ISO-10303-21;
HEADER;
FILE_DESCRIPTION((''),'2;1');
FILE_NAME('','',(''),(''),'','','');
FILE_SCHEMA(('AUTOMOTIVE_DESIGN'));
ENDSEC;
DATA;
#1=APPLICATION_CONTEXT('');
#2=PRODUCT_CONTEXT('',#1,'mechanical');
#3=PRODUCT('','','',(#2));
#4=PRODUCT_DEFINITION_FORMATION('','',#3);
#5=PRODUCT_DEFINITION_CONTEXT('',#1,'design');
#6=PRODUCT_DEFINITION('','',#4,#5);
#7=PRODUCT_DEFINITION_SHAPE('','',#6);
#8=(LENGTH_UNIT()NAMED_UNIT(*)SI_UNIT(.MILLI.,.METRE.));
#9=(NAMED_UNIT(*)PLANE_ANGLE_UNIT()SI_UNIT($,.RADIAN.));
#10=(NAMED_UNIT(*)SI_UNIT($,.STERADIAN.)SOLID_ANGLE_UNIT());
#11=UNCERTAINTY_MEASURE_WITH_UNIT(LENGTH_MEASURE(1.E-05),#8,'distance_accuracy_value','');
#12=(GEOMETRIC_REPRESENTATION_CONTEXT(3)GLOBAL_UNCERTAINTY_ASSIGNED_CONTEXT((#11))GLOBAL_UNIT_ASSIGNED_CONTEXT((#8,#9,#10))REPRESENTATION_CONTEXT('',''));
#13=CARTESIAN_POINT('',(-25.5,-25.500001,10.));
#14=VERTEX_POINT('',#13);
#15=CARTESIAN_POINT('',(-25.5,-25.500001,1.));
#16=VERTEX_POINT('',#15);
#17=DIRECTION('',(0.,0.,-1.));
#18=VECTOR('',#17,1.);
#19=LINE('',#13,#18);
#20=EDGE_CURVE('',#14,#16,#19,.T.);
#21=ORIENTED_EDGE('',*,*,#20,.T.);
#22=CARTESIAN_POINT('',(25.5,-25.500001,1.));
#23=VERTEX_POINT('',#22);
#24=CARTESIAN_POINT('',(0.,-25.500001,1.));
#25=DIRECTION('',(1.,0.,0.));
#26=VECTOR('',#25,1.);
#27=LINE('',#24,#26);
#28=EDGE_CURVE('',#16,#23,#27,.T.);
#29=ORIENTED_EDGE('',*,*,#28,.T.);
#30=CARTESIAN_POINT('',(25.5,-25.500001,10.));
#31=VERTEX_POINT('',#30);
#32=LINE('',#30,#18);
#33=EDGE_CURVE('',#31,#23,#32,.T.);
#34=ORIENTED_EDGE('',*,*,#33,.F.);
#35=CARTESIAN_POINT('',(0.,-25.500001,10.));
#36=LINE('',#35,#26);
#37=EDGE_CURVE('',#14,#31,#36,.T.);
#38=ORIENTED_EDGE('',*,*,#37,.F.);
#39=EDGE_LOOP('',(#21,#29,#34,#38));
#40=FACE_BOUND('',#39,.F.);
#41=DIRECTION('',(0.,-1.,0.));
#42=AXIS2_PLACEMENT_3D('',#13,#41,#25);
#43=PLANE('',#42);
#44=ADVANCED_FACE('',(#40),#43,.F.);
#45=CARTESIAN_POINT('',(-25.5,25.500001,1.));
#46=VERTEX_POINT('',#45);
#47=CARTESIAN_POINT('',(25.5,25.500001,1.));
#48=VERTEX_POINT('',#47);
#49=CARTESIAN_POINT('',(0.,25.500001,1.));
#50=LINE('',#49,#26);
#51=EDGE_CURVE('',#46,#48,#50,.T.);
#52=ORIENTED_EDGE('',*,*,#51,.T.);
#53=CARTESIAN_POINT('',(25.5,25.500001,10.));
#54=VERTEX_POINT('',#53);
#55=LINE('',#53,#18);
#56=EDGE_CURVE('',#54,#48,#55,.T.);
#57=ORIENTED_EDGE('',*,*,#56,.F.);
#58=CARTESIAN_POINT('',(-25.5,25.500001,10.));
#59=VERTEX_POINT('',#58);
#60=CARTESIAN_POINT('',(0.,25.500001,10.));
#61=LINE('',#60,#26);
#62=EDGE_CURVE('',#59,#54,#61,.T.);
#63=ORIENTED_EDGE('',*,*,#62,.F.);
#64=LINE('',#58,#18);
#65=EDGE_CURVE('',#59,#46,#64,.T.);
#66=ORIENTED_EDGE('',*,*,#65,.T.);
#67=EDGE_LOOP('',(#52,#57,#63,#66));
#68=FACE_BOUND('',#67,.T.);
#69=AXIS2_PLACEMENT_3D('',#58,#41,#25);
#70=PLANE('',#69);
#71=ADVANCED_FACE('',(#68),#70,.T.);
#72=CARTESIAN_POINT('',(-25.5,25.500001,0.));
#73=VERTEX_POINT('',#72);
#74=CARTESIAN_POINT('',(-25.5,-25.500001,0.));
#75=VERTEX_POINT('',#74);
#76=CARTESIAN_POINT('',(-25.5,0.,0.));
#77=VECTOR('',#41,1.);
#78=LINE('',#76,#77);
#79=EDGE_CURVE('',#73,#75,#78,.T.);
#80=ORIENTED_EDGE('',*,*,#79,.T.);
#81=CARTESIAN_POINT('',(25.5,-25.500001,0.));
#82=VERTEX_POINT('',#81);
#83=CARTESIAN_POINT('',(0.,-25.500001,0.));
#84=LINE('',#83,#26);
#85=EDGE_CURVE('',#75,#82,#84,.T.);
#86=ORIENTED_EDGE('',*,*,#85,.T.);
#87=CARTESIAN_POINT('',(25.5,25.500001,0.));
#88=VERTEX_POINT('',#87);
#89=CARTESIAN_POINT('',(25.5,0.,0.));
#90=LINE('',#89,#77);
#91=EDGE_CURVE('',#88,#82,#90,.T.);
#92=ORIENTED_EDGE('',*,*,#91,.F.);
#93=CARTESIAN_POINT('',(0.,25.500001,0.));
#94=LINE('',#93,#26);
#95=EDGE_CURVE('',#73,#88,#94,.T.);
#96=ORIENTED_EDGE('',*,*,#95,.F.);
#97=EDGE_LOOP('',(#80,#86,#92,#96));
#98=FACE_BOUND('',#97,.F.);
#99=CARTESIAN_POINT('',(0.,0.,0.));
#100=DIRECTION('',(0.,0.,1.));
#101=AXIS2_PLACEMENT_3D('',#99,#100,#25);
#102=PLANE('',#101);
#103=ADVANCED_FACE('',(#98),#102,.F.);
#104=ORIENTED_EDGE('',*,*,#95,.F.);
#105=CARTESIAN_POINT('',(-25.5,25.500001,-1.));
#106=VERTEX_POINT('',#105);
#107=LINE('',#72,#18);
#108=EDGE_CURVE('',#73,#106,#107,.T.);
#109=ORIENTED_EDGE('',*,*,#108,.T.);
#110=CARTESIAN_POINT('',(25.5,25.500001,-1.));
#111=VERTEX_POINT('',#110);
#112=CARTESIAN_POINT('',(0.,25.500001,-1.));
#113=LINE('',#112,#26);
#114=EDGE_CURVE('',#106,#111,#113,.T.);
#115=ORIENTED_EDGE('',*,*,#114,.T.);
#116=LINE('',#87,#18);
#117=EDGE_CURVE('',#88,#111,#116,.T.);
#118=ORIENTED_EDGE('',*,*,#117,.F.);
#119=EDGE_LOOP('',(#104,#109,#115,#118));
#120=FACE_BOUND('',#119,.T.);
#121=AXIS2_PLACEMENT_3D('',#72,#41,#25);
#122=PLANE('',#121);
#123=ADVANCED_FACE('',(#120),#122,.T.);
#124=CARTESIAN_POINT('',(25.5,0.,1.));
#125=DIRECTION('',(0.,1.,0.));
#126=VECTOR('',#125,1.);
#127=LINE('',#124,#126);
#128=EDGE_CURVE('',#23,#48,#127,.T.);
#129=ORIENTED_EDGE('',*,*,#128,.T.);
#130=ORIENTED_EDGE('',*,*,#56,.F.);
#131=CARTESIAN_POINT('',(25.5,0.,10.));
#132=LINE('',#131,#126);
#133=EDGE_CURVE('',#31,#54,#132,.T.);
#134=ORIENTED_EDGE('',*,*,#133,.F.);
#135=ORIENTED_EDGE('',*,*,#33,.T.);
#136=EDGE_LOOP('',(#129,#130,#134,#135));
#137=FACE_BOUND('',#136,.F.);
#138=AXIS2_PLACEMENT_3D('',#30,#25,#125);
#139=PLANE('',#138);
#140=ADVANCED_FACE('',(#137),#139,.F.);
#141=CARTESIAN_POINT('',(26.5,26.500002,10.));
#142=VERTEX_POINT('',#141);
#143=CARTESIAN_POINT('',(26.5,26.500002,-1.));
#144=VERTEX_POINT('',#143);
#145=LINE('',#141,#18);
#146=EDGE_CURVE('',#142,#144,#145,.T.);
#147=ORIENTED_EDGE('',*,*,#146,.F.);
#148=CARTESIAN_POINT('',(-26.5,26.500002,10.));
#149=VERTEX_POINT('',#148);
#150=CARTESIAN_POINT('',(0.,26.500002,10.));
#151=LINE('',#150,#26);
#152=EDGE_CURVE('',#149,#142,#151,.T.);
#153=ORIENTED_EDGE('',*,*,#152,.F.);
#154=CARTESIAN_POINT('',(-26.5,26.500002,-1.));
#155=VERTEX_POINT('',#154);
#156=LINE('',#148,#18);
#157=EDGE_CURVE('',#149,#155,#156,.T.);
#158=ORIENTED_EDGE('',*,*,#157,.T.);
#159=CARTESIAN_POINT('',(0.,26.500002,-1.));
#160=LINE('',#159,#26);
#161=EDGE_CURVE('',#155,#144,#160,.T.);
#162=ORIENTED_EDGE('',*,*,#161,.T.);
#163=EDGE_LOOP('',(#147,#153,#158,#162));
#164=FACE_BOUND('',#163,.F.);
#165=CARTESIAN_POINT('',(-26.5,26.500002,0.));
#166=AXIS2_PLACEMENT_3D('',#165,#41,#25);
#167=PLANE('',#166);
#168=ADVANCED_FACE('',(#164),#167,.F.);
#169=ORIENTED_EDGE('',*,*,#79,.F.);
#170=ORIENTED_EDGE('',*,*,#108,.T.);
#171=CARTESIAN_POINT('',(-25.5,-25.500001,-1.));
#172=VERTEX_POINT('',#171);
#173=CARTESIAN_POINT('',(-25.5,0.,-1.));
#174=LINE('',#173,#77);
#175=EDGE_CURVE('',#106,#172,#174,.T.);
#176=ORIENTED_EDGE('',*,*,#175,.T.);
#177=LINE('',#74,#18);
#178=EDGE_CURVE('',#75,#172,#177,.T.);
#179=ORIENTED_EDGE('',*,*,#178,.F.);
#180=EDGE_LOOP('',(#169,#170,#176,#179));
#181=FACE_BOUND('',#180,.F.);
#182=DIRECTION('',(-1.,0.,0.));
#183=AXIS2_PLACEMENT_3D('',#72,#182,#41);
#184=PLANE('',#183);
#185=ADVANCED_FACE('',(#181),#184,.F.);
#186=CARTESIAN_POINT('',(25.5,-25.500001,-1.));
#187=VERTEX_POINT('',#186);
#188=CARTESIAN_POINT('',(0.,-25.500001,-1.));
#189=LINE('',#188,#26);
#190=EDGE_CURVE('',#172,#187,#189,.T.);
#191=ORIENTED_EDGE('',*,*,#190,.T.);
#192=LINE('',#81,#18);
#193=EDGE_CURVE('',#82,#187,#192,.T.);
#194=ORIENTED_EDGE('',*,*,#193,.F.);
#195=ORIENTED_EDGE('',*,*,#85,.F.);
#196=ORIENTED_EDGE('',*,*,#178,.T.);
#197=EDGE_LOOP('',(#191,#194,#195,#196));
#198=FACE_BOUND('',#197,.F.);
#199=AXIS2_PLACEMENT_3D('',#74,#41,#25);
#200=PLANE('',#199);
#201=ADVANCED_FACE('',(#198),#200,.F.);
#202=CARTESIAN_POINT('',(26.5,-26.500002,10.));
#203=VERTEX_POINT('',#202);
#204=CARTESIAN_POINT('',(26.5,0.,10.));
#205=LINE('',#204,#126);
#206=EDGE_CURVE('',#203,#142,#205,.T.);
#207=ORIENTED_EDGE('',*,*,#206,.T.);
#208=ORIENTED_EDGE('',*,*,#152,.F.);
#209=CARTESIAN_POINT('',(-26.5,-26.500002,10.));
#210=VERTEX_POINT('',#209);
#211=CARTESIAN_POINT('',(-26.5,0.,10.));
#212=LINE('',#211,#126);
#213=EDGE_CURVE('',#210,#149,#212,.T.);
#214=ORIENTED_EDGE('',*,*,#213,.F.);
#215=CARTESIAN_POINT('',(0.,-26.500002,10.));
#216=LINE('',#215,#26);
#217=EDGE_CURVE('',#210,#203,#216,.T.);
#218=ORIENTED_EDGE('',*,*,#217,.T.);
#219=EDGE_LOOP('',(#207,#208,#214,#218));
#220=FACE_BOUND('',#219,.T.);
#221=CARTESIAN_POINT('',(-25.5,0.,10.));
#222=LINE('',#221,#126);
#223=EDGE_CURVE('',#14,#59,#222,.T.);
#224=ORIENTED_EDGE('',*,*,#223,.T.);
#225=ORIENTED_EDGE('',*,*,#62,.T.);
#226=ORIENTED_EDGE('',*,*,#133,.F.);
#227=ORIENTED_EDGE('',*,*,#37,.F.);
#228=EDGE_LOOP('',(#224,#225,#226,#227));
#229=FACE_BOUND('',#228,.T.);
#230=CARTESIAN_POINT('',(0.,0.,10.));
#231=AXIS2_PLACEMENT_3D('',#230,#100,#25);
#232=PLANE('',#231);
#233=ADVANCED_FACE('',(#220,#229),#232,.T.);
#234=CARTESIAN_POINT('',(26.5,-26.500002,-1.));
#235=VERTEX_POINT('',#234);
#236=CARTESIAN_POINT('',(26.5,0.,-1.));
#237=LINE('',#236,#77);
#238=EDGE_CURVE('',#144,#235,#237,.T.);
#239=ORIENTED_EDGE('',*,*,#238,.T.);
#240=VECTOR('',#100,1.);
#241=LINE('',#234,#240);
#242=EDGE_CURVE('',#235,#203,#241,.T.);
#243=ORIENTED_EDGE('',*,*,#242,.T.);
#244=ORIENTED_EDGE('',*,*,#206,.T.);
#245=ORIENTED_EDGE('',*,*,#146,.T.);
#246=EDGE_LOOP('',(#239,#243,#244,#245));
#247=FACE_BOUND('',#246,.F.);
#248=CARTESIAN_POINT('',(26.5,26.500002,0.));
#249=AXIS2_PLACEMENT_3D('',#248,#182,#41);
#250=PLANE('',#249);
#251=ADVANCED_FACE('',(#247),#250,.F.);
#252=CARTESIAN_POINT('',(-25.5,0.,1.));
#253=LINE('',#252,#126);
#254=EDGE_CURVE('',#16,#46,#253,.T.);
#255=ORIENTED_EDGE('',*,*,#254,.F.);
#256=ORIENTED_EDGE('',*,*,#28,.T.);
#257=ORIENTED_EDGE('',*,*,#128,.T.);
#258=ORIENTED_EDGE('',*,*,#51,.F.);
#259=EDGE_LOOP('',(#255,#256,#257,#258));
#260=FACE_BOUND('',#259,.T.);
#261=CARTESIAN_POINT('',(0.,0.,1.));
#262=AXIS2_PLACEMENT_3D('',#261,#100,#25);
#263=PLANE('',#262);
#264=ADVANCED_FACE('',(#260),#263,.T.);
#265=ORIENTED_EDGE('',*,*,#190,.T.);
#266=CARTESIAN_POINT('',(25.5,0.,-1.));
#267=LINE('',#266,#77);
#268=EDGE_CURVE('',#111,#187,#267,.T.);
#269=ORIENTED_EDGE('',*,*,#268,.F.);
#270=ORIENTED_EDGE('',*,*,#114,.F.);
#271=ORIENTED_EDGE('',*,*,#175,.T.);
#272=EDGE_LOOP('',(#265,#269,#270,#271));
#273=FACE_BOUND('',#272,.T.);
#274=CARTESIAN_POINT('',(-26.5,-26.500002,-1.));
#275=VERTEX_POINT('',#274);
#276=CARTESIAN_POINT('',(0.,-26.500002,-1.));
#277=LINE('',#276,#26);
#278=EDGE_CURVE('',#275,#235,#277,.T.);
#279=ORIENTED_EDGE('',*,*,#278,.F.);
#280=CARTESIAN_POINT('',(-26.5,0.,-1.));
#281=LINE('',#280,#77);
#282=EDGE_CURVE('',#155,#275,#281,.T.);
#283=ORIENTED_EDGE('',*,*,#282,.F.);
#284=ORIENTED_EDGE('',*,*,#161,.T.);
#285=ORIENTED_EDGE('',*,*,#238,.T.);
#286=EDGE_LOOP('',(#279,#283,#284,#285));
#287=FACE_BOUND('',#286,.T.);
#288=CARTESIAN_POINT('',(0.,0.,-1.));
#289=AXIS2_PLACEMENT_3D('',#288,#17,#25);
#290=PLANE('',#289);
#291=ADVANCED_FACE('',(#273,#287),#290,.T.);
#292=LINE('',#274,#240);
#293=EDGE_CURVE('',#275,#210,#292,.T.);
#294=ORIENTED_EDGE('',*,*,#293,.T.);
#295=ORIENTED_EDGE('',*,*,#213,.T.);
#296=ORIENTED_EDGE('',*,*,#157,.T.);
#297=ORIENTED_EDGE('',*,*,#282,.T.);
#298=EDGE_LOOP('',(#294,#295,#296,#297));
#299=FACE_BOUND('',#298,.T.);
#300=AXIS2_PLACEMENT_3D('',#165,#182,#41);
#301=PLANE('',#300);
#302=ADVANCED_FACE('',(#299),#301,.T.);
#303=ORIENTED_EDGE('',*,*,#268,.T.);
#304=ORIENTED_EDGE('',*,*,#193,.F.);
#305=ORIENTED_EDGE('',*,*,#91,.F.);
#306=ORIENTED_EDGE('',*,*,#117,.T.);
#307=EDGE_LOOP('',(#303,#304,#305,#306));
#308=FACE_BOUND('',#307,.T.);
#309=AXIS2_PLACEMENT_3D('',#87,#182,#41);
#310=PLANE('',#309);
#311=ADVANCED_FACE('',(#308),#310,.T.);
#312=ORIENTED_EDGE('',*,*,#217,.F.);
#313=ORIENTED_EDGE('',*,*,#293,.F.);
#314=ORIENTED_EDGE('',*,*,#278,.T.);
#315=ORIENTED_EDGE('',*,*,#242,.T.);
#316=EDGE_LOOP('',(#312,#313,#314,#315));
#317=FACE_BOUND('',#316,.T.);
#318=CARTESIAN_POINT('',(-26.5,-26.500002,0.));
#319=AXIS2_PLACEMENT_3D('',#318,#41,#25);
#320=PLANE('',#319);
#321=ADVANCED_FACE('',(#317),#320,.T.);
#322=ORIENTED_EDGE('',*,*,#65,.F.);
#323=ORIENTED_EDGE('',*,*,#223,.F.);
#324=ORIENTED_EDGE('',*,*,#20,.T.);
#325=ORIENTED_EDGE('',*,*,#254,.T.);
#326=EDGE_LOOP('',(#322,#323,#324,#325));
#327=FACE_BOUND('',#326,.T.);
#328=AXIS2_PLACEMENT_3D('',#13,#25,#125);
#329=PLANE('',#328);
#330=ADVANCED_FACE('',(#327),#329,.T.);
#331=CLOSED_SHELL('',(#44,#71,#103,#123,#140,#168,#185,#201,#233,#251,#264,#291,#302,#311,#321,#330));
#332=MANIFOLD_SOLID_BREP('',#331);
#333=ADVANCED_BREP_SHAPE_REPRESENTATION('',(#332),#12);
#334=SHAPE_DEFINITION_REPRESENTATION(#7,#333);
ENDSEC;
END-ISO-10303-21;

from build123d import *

# Parameters (mm, degrees)
F0_W     = 53
F0_H     = 53.000004
F1_DEPTH = 10
F2_W     = 53
F2_H     = 53.000004
F2_W_2   = 51
F2_H_2   = 51.000002
F3_DEPTH = 1
F4_W     = 51
F4_H     = 51.000002
F5_DEPTH = 9


with BuildPart() as f1:
    # F0 (on Top) → F1 (new body)
    with BuildSketch(Plane.XY):
        Rectangle(F0_W, F0_H)
    extrude(amount=F1_DEPTH)

    # F2 (on face) → F3 (join)
    with BuildSketch(Plane(origin=(0, 0, 0), x_dir=(1, 0, 0), z_dir=(0, 0, -1))):
        Rectangle(F2_W, F2_H)
        Rectangle(F2_W_2, F2_H_2, mode=Mode.SUBTRACT)
    extrude(amount=F3_DEPTH)

    # F4 (on face) → F5 (cut)
    with BuildSketch(Plane.XY.offset(10)):
        Rectangle(F4_W, F4_H)
    extrude(amount=-F5_DEPTH, mode=Mode.SUBTRACT)


solid = f1.part
